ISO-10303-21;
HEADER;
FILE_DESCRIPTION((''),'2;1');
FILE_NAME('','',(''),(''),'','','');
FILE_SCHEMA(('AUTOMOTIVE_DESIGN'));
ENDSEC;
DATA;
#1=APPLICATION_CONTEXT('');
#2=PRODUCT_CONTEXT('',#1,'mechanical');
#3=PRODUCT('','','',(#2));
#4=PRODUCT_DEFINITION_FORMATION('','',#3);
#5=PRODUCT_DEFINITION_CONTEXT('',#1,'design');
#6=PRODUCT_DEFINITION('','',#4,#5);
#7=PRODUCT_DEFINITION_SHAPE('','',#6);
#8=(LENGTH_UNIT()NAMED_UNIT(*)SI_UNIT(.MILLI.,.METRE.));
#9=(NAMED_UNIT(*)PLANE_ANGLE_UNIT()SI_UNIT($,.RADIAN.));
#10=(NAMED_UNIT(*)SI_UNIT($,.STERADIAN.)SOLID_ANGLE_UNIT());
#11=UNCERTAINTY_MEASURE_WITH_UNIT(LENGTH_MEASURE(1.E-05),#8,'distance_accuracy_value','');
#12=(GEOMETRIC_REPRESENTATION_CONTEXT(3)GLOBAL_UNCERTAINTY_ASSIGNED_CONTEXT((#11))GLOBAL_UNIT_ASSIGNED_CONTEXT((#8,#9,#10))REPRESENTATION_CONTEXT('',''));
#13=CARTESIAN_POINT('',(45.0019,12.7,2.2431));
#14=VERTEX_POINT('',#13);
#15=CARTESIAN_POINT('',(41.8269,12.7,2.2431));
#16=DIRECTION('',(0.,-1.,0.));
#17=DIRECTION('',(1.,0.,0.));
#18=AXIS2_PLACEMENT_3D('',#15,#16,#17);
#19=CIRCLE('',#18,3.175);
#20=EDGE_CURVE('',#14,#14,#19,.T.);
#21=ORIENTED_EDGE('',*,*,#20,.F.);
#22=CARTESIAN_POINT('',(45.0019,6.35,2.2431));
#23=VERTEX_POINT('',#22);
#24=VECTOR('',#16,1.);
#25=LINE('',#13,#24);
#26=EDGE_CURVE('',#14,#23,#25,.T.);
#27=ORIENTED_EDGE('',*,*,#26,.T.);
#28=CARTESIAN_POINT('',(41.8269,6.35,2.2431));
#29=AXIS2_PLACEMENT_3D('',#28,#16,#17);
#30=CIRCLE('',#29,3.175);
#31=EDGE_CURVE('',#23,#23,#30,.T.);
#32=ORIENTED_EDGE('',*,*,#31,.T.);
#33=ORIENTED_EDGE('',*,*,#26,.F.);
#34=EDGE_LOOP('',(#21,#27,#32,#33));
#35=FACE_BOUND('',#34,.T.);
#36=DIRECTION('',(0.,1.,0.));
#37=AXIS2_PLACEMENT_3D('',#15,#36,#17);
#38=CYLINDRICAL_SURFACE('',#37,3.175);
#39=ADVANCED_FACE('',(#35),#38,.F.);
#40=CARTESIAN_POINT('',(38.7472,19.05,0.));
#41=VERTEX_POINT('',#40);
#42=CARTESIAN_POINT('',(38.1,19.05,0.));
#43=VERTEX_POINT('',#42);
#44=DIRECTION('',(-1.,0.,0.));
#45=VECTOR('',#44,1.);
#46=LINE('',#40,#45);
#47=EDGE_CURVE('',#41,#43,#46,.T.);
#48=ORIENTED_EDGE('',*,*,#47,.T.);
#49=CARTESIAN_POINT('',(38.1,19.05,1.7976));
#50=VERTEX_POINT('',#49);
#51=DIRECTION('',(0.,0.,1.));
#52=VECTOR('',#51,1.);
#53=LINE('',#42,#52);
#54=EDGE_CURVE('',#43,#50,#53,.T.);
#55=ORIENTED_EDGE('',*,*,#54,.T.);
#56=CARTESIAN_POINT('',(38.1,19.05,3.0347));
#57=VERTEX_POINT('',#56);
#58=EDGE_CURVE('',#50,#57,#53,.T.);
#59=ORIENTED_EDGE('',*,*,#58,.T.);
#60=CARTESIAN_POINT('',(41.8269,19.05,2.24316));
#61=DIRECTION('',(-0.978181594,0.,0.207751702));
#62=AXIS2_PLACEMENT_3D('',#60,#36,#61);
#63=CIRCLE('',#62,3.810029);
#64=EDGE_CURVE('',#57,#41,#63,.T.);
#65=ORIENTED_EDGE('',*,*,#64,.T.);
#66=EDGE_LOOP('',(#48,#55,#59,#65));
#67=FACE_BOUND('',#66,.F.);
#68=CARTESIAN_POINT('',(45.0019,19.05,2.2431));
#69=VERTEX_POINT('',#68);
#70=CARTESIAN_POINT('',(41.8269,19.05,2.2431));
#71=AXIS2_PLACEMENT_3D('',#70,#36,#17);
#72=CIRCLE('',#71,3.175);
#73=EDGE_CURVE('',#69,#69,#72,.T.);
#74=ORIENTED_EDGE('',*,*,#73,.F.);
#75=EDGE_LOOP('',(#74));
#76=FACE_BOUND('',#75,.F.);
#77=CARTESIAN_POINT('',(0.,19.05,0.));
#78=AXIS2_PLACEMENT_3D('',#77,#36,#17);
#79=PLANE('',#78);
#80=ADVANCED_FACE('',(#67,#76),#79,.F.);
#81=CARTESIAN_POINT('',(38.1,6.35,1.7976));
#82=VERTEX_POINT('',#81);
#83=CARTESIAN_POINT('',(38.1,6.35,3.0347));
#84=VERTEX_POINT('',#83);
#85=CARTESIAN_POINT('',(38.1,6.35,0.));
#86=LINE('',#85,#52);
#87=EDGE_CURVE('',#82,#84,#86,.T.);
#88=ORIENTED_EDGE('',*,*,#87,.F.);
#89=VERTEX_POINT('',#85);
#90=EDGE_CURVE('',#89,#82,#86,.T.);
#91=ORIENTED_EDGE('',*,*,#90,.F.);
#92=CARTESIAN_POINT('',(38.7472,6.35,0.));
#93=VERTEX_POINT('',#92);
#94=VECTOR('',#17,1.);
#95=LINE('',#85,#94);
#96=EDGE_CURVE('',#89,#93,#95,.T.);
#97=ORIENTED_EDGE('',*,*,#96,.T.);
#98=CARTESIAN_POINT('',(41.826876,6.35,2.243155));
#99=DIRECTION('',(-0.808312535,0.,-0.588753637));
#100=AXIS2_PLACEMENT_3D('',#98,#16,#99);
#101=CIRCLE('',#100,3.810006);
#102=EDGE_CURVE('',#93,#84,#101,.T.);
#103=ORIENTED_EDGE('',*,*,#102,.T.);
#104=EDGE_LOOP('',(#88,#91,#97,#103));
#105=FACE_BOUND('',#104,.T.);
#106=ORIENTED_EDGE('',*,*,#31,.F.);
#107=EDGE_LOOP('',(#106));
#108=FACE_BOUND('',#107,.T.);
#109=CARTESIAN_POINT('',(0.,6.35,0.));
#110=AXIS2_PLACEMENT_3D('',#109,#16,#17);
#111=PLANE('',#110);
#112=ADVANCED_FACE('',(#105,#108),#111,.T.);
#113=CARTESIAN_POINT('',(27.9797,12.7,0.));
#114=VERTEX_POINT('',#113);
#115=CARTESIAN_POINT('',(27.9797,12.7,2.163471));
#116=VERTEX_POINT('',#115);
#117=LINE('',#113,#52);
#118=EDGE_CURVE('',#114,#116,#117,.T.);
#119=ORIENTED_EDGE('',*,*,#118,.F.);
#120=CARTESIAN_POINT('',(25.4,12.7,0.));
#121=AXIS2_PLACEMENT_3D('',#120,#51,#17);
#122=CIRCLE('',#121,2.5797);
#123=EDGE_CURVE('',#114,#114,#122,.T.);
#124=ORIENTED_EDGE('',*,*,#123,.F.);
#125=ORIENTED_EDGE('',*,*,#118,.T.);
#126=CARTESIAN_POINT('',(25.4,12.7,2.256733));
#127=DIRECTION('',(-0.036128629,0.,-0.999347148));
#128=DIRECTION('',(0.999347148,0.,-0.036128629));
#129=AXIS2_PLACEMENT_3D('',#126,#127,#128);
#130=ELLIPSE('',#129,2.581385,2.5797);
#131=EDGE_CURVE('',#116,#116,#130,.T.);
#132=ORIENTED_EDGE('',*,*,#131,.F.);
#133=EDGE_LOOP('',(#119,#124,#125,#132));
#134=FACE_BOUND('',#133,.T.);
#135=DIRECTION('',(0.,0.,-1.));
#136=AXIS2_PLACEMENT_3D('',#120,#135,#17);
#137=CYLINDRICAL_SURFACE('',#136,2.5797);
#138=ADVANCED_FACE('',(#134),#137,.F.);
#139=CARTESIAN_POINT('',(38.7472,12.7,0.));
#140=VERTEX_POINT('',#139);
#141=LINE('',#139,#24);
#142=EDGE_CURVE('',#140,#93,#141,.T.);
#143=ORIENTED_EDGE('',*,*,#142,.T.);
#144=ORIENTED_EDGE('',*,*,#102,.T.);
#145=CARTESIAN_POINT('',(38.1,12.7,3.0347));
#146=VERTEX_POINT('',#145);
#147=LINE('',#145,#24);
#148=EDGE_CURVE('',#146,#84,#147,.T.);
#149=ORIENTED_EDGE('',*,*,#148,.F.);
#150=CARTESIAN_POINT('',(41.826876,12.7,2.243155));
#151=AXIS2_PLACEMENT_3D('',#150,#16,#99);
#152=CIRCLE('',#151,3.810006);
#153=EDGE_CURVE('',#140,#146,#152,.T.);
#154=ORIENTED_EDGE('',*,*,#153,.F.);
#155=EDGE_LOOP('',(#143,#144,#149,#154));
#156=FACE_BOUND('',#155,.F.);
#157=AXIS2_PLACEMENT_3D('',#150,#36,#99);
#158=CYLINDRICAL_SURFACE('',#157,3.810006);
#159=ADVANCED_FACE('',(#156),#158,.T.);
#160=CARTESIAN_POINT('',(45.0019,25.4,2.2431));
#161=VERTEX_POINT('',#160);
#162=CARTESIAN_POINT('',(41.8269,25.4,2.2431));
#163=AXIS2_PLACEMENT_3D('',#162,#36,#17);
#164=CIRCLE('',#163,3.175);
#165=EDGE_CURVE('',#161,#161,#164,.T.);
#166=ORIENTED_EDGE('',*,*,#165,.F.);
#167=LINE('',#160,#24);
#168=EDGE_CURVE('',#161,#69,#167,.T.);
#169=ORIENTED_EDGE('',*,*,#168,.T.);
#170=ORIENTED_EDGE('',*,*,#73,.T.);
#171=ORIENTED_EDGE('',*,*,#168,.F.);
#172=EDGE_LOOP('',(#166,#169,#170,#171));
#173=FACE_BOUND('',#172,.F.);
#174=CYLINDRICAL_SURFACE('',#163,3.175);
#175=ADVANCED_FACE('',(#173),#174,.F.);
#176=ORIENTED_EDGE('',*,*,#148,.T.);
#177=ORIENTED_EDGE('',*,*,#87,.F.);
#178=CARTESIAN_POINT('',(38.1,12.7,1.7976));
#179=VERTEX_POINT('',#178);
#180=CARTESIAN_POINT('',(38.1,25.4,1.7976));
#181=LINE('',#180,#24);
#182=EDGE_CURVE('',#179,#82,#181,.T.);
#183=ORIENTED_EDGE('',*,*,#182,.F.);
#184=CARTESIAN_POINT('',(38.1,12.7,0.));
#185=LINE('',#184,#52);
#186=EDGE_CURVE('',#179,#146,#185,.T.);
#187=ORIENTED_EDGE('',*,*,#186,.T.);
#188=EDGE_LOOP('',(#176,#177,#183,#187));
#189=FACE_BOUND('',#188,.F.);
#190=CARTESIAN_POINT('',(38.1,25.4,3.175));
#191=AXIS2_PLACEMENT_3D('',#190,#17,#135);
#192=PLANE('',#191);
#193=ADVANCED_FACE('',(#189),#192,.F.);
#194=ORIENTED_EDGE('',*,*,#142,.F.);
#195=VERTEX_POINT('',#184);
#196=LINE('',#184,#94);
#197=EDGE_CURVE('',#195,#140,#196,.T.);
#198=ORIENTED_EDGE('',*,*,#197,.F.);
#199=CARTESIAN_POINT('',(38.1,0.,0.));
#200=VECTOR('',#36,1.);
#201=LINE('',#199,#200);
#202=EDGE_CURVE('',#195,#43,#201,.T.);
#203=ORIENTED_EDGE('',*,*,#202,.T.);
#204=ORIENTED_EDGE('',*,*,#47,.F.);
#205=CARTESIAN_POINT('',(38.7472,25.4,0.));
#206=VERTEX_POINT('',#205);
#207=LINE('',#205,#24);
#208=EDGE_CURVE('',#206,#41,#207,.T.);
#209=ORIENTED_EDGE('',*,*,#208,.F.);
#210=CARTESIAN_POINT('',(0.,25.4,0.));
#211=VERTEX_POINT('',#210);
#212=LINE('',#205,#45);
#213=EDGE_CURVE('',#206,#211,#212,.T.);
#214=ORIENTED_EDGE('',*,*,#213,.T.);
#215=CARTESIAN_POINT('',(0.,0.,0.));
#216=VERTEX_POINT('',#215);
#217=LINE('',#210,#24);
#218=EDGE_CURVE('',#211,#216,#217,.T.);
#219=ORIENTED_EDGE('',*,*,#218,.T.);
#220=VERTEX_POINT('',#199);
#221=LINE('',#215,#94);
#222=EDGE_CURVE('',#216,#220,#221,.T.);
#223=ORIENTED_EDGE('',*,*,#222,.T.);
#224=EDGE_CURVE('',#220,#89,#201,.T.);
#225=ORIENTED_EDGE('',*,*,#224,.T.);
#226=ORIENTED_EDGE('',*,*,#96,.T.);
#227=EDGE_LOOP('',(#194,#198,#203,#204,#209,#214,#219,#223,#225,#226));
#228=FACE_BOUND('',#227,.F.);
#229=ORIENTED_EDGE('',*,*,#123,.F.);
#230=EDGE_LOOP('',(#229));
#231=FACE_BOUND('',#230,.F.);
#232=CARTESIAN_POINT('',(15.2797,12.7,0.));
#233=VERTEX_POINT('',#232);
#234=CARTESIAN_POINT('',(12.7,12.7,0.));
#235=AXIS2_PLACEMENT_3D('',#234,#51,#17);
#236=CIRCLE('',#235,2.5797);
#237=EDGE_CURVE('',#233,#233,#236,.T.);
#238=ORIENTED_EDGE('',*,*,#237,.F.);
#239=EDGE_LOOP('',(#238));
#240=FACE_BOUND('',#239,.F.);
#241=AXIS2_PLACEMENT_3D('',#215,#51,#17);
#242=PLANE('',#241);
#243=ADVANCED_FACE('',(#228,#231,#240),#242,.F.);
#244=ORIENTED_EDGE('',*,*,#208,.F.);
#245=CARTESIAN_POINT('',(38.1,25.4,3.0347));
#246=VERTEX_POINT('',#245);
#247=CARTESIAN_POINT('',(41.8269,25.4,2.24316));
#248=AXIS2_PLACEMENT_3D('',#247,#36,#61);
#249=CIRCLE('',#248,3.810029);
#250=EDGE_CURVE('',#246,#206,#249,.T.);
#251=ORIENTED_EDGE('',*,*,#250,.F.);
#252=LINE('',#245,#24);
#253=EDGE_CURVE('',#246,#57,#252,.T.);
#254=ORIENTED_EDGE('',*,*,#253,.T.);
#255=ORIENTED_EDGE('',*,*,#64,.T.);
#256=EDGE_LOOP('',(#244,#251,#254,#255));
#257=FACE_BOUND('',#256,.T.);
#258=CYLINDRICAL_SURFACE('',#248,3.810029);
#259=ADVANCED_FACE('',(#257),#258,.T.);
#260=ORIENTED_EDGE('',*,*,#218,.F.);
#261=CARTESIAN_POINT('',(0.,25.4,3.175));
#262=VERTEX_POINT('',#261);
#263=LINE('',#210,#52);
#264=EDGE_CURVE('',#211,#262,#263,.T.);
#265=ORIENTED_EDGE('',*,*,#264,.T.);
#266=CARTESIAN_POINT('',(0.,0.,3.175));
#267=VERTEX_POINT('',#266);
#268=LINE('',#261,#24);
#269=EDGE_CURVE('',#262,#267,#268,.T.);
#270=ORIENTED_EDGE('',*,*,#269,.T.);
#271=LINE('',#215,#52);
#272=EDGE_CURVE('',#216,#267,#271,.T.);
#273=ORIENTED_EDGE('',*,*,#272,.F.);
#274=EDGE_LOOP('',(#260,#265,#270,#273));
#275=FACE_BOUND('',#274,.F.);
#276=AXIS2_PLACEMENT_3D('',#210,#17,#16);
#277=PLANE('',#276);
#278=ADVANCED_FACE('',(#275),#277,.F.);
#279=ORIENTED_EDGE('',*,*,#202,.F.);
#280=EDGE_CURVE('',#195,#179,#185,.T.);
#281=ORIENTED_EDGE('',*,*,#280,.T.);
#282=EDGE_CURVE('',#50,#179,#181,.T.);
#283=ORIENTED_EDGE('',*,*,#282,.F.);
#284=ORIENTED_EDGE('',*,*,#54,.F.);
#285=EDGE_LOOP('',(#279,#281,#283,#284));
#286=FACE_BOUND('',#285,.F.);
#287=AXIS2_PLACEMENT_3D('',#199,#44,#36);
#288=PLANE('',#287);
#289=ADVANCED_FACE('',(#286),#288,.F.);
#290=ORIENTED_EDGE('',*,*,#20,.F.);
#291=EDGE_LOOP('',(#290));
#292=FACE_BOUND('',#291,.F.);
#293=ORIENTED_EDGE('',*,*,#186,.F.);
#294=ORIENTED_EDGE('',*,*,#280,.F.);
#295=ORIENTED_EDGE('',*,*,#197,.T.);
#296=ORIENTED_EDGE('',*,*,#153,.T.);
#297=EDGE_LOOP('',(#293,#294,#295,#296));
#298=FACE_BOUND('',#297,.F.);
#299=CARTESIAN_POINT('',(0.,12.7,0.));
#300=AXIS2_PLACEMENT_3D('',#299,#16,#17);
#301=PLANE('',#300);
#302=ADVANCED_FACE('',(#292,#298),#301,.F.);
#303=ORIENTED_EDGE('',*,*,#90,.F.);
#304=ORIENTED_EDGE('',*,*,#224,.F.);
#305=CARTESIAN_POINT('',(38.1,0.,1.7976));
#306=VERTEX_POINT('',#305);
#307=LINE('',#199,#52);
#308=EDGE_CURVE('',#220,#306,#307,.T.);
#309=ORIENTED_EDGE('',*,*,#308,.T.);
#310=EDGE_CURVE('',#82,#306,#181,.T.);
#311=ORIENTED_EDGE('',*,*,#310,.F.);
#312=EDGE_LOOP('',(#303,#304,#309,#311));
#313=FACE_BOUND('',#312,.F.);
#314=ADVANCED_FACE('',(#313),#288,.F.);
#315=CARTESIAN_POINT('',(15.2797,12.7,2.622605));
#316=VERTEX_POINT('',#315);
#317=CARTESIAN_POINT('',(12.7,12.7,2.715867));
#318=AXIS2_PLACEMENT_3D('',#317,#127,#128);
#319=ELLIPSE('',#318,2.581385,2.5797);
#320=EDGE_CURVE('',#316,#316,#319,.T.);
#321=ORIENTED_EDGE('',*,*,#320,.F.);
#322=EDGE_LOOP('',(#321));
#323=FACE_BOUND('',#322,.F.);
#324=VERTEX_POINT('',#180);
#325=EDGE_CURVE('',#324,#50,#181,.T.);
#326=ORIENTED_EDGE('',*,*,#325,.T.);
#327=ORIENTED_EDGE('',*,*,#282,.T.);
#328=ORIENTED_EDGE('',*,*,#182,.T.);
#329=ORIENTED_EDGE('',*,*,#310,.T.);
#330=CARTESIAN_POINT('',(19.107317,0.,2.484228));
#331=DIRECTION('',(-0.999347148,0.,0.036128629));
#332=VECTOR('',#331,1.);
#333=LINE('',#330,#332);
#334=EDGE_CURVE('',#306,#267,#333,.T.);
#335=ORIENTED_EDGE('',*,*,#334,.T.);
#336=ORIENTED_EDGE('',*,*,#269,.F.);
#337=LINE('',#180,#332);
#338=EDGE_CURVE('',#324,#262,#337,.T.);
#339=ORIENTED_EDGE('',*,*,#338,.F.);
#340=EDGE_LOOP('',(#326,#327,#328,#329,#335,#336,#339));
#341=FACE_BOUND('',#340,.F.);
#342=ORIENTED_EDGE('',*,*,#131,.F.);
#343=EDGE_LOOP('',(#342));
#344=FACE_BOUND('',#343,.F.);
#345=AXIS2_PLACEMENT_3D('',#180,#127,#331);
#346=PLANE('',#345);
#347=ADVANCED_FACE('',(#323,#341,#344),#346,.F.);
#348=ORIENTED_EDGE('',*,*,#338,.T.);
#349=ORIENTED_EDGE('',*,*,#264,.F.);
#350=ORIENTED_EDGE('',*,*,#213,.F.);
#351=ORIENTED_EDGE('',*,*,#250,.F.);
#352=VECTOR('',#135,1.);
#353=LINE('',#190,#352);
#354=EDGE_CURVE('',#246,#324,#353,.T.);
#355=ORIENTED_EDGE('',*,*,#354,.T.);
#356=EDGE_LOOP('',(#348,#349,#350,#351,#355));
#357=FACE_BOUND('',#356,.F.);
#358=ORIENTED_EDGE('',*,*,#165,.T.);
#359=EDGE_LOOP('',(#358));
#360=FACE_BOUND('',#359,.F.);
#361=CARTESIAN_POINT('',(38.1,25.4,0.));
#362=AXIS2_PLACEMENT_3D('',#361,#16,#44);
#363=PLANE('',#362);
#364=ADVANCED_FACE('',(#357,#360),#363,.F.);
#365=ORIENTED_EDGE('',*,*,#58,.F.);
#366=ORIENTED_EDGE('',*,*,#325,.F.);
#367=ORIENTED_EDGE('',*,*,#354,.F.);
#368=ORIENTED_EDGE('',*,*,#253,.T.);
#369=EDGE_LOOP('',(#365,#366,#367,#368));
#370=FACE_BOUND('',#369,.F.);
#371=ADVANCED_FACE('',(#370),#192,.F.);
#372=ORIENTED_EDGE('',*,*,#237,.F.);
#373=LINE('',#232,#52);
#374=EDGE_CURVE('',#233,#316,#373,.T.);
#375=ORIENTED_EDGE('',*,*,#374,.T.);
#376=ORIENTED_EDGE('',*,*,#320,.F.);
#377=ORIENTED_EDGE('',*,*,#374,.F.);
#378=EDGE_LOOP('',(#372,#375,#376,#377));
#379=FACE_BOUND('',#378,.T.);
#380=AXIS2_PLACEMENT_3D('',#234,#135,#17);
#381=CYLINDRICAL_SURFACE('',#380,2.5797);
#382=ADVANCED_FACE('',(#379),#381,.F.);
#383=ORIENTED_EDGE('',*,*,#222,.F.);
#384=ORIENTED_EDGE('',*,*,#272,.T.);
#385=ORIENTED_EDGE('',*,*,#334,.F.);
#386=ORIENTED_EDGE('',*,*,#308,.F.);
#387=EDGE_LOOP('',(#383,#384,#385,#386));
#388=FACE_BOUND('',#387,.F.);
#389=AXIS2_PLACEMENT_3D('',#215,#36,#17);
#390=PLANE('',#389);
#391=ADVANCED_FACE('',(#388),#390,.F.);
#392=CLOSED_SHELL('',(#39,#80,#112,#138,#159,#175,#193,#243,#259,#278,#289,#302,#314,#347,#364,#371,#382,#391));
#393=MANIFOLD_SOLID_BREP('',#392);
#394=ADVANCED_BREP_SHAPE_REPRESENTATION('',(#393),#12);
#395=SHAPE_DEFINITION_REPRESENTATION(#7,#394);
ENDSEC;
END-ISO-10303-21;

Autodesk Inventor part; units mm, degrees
ref_plane "YZ Plane" through (0, 0, 0) normal (1, 0, 0) x (0, 1, 0)
ref_plane "XZ Plane" through (0, 0, 0) normal (0, 1, 0) x (-1, 0, 0)
sketch "Sketch1" plane through (0, 0, 0) normal (0, 0, 1) x (1, 0, 0)
  line L0 (0, 0) -> (38.1, 0)
  line L1 (38.1, 0) -> (38.1, 25.4)
  line L2 (38.1, 25.4) -> (0, 25.4)
  line L3 (0, 25.4) -> (0, 0)
  line L4 (0, 12.7) -> (12.7, 12.7) construction
  line L5 (12.7, 12.7) -> (25.4, 12.7) construction
  circle A0 centre (12.7, 12.7) radius 2.5797
  circle A1 centre (25.4, 12.7) radius 2.5797
  dimension "d0" = 38.1
  dimension "d1" = 25.4
  dimension "d2" = 12.7
  dimension "d3" = 12.7
  dimension "d4" = 5.1594
  dimension "d5" = 5.1594
extrude "Extrusion1" add sketch "Sketch1" along normal blind 3.175
sketch "Sketch2" plane through (0, 25.4, 0) normal (0, 1, 0) x (1, 0, 0)
  circle A0 centre (41.8269, -2.2431) radius 3.175
  arc A1 (38.1, -3.0347) -> (38.7472, 0) centre (41.8269, -2.2431) ccw
  line L0 (0, 0) -> (38.1, 0) projected
  line L1 (38.7472, 0) -> (38.1, 0)
  line L2 (38.1, 0) -> (38.1, -3.175) projected
  line L3 (38.1, 0) -> (38.1, -3.175)
  dimension "d8" = 6.35
  dimension "d9" = 7.62
extrude "Extrusion2" add sketch "Sketch2" against normal blind 6.35
ref_plane "Work Plane1" through (0, 12.7, 0) normal (0, -1, 0) x (1, 0, 0)
sketch "Sketch3" plane through (0, 12.7, 0) normal (0, -1, 0) x (1, 0, 0)
  arc A0 (38.7472, 0) -> (38.1, 3.0347) centre (41.8269, 2.2431) ccw projected
  circle A1 centre (41.8269, 2.2431) radius 3.175 projected
  line L0 (38.1, 0) -> (38.7472, 0) projected
  line L1 (38.1, 0) -> (38.1, 3.0347) projected
  line L2 (38.1, 3.0347) -> (38.1, 0)
  point P0 (0, 0)
extrude "Extrusion3" add sketch "Sketch3" along normal blind 6.35
sketch "Sketch4" plane through (0, 25.4, 3.175) normal (0, 1, 0) x (1, 0, 0)
  line L0 (38.1, 0) -> (38.1, 1.3774)
  line L1 (0, 3.175) -> (0, 0) projected
  line L2 (38.1, 1.3774) -> (0, 0)
  line L3 (0, 0) -> (38.1, 0)
extrude "Extrusion4" cut sketch "Sketch4" against normal blind 50.8
properties part number "hinge"
